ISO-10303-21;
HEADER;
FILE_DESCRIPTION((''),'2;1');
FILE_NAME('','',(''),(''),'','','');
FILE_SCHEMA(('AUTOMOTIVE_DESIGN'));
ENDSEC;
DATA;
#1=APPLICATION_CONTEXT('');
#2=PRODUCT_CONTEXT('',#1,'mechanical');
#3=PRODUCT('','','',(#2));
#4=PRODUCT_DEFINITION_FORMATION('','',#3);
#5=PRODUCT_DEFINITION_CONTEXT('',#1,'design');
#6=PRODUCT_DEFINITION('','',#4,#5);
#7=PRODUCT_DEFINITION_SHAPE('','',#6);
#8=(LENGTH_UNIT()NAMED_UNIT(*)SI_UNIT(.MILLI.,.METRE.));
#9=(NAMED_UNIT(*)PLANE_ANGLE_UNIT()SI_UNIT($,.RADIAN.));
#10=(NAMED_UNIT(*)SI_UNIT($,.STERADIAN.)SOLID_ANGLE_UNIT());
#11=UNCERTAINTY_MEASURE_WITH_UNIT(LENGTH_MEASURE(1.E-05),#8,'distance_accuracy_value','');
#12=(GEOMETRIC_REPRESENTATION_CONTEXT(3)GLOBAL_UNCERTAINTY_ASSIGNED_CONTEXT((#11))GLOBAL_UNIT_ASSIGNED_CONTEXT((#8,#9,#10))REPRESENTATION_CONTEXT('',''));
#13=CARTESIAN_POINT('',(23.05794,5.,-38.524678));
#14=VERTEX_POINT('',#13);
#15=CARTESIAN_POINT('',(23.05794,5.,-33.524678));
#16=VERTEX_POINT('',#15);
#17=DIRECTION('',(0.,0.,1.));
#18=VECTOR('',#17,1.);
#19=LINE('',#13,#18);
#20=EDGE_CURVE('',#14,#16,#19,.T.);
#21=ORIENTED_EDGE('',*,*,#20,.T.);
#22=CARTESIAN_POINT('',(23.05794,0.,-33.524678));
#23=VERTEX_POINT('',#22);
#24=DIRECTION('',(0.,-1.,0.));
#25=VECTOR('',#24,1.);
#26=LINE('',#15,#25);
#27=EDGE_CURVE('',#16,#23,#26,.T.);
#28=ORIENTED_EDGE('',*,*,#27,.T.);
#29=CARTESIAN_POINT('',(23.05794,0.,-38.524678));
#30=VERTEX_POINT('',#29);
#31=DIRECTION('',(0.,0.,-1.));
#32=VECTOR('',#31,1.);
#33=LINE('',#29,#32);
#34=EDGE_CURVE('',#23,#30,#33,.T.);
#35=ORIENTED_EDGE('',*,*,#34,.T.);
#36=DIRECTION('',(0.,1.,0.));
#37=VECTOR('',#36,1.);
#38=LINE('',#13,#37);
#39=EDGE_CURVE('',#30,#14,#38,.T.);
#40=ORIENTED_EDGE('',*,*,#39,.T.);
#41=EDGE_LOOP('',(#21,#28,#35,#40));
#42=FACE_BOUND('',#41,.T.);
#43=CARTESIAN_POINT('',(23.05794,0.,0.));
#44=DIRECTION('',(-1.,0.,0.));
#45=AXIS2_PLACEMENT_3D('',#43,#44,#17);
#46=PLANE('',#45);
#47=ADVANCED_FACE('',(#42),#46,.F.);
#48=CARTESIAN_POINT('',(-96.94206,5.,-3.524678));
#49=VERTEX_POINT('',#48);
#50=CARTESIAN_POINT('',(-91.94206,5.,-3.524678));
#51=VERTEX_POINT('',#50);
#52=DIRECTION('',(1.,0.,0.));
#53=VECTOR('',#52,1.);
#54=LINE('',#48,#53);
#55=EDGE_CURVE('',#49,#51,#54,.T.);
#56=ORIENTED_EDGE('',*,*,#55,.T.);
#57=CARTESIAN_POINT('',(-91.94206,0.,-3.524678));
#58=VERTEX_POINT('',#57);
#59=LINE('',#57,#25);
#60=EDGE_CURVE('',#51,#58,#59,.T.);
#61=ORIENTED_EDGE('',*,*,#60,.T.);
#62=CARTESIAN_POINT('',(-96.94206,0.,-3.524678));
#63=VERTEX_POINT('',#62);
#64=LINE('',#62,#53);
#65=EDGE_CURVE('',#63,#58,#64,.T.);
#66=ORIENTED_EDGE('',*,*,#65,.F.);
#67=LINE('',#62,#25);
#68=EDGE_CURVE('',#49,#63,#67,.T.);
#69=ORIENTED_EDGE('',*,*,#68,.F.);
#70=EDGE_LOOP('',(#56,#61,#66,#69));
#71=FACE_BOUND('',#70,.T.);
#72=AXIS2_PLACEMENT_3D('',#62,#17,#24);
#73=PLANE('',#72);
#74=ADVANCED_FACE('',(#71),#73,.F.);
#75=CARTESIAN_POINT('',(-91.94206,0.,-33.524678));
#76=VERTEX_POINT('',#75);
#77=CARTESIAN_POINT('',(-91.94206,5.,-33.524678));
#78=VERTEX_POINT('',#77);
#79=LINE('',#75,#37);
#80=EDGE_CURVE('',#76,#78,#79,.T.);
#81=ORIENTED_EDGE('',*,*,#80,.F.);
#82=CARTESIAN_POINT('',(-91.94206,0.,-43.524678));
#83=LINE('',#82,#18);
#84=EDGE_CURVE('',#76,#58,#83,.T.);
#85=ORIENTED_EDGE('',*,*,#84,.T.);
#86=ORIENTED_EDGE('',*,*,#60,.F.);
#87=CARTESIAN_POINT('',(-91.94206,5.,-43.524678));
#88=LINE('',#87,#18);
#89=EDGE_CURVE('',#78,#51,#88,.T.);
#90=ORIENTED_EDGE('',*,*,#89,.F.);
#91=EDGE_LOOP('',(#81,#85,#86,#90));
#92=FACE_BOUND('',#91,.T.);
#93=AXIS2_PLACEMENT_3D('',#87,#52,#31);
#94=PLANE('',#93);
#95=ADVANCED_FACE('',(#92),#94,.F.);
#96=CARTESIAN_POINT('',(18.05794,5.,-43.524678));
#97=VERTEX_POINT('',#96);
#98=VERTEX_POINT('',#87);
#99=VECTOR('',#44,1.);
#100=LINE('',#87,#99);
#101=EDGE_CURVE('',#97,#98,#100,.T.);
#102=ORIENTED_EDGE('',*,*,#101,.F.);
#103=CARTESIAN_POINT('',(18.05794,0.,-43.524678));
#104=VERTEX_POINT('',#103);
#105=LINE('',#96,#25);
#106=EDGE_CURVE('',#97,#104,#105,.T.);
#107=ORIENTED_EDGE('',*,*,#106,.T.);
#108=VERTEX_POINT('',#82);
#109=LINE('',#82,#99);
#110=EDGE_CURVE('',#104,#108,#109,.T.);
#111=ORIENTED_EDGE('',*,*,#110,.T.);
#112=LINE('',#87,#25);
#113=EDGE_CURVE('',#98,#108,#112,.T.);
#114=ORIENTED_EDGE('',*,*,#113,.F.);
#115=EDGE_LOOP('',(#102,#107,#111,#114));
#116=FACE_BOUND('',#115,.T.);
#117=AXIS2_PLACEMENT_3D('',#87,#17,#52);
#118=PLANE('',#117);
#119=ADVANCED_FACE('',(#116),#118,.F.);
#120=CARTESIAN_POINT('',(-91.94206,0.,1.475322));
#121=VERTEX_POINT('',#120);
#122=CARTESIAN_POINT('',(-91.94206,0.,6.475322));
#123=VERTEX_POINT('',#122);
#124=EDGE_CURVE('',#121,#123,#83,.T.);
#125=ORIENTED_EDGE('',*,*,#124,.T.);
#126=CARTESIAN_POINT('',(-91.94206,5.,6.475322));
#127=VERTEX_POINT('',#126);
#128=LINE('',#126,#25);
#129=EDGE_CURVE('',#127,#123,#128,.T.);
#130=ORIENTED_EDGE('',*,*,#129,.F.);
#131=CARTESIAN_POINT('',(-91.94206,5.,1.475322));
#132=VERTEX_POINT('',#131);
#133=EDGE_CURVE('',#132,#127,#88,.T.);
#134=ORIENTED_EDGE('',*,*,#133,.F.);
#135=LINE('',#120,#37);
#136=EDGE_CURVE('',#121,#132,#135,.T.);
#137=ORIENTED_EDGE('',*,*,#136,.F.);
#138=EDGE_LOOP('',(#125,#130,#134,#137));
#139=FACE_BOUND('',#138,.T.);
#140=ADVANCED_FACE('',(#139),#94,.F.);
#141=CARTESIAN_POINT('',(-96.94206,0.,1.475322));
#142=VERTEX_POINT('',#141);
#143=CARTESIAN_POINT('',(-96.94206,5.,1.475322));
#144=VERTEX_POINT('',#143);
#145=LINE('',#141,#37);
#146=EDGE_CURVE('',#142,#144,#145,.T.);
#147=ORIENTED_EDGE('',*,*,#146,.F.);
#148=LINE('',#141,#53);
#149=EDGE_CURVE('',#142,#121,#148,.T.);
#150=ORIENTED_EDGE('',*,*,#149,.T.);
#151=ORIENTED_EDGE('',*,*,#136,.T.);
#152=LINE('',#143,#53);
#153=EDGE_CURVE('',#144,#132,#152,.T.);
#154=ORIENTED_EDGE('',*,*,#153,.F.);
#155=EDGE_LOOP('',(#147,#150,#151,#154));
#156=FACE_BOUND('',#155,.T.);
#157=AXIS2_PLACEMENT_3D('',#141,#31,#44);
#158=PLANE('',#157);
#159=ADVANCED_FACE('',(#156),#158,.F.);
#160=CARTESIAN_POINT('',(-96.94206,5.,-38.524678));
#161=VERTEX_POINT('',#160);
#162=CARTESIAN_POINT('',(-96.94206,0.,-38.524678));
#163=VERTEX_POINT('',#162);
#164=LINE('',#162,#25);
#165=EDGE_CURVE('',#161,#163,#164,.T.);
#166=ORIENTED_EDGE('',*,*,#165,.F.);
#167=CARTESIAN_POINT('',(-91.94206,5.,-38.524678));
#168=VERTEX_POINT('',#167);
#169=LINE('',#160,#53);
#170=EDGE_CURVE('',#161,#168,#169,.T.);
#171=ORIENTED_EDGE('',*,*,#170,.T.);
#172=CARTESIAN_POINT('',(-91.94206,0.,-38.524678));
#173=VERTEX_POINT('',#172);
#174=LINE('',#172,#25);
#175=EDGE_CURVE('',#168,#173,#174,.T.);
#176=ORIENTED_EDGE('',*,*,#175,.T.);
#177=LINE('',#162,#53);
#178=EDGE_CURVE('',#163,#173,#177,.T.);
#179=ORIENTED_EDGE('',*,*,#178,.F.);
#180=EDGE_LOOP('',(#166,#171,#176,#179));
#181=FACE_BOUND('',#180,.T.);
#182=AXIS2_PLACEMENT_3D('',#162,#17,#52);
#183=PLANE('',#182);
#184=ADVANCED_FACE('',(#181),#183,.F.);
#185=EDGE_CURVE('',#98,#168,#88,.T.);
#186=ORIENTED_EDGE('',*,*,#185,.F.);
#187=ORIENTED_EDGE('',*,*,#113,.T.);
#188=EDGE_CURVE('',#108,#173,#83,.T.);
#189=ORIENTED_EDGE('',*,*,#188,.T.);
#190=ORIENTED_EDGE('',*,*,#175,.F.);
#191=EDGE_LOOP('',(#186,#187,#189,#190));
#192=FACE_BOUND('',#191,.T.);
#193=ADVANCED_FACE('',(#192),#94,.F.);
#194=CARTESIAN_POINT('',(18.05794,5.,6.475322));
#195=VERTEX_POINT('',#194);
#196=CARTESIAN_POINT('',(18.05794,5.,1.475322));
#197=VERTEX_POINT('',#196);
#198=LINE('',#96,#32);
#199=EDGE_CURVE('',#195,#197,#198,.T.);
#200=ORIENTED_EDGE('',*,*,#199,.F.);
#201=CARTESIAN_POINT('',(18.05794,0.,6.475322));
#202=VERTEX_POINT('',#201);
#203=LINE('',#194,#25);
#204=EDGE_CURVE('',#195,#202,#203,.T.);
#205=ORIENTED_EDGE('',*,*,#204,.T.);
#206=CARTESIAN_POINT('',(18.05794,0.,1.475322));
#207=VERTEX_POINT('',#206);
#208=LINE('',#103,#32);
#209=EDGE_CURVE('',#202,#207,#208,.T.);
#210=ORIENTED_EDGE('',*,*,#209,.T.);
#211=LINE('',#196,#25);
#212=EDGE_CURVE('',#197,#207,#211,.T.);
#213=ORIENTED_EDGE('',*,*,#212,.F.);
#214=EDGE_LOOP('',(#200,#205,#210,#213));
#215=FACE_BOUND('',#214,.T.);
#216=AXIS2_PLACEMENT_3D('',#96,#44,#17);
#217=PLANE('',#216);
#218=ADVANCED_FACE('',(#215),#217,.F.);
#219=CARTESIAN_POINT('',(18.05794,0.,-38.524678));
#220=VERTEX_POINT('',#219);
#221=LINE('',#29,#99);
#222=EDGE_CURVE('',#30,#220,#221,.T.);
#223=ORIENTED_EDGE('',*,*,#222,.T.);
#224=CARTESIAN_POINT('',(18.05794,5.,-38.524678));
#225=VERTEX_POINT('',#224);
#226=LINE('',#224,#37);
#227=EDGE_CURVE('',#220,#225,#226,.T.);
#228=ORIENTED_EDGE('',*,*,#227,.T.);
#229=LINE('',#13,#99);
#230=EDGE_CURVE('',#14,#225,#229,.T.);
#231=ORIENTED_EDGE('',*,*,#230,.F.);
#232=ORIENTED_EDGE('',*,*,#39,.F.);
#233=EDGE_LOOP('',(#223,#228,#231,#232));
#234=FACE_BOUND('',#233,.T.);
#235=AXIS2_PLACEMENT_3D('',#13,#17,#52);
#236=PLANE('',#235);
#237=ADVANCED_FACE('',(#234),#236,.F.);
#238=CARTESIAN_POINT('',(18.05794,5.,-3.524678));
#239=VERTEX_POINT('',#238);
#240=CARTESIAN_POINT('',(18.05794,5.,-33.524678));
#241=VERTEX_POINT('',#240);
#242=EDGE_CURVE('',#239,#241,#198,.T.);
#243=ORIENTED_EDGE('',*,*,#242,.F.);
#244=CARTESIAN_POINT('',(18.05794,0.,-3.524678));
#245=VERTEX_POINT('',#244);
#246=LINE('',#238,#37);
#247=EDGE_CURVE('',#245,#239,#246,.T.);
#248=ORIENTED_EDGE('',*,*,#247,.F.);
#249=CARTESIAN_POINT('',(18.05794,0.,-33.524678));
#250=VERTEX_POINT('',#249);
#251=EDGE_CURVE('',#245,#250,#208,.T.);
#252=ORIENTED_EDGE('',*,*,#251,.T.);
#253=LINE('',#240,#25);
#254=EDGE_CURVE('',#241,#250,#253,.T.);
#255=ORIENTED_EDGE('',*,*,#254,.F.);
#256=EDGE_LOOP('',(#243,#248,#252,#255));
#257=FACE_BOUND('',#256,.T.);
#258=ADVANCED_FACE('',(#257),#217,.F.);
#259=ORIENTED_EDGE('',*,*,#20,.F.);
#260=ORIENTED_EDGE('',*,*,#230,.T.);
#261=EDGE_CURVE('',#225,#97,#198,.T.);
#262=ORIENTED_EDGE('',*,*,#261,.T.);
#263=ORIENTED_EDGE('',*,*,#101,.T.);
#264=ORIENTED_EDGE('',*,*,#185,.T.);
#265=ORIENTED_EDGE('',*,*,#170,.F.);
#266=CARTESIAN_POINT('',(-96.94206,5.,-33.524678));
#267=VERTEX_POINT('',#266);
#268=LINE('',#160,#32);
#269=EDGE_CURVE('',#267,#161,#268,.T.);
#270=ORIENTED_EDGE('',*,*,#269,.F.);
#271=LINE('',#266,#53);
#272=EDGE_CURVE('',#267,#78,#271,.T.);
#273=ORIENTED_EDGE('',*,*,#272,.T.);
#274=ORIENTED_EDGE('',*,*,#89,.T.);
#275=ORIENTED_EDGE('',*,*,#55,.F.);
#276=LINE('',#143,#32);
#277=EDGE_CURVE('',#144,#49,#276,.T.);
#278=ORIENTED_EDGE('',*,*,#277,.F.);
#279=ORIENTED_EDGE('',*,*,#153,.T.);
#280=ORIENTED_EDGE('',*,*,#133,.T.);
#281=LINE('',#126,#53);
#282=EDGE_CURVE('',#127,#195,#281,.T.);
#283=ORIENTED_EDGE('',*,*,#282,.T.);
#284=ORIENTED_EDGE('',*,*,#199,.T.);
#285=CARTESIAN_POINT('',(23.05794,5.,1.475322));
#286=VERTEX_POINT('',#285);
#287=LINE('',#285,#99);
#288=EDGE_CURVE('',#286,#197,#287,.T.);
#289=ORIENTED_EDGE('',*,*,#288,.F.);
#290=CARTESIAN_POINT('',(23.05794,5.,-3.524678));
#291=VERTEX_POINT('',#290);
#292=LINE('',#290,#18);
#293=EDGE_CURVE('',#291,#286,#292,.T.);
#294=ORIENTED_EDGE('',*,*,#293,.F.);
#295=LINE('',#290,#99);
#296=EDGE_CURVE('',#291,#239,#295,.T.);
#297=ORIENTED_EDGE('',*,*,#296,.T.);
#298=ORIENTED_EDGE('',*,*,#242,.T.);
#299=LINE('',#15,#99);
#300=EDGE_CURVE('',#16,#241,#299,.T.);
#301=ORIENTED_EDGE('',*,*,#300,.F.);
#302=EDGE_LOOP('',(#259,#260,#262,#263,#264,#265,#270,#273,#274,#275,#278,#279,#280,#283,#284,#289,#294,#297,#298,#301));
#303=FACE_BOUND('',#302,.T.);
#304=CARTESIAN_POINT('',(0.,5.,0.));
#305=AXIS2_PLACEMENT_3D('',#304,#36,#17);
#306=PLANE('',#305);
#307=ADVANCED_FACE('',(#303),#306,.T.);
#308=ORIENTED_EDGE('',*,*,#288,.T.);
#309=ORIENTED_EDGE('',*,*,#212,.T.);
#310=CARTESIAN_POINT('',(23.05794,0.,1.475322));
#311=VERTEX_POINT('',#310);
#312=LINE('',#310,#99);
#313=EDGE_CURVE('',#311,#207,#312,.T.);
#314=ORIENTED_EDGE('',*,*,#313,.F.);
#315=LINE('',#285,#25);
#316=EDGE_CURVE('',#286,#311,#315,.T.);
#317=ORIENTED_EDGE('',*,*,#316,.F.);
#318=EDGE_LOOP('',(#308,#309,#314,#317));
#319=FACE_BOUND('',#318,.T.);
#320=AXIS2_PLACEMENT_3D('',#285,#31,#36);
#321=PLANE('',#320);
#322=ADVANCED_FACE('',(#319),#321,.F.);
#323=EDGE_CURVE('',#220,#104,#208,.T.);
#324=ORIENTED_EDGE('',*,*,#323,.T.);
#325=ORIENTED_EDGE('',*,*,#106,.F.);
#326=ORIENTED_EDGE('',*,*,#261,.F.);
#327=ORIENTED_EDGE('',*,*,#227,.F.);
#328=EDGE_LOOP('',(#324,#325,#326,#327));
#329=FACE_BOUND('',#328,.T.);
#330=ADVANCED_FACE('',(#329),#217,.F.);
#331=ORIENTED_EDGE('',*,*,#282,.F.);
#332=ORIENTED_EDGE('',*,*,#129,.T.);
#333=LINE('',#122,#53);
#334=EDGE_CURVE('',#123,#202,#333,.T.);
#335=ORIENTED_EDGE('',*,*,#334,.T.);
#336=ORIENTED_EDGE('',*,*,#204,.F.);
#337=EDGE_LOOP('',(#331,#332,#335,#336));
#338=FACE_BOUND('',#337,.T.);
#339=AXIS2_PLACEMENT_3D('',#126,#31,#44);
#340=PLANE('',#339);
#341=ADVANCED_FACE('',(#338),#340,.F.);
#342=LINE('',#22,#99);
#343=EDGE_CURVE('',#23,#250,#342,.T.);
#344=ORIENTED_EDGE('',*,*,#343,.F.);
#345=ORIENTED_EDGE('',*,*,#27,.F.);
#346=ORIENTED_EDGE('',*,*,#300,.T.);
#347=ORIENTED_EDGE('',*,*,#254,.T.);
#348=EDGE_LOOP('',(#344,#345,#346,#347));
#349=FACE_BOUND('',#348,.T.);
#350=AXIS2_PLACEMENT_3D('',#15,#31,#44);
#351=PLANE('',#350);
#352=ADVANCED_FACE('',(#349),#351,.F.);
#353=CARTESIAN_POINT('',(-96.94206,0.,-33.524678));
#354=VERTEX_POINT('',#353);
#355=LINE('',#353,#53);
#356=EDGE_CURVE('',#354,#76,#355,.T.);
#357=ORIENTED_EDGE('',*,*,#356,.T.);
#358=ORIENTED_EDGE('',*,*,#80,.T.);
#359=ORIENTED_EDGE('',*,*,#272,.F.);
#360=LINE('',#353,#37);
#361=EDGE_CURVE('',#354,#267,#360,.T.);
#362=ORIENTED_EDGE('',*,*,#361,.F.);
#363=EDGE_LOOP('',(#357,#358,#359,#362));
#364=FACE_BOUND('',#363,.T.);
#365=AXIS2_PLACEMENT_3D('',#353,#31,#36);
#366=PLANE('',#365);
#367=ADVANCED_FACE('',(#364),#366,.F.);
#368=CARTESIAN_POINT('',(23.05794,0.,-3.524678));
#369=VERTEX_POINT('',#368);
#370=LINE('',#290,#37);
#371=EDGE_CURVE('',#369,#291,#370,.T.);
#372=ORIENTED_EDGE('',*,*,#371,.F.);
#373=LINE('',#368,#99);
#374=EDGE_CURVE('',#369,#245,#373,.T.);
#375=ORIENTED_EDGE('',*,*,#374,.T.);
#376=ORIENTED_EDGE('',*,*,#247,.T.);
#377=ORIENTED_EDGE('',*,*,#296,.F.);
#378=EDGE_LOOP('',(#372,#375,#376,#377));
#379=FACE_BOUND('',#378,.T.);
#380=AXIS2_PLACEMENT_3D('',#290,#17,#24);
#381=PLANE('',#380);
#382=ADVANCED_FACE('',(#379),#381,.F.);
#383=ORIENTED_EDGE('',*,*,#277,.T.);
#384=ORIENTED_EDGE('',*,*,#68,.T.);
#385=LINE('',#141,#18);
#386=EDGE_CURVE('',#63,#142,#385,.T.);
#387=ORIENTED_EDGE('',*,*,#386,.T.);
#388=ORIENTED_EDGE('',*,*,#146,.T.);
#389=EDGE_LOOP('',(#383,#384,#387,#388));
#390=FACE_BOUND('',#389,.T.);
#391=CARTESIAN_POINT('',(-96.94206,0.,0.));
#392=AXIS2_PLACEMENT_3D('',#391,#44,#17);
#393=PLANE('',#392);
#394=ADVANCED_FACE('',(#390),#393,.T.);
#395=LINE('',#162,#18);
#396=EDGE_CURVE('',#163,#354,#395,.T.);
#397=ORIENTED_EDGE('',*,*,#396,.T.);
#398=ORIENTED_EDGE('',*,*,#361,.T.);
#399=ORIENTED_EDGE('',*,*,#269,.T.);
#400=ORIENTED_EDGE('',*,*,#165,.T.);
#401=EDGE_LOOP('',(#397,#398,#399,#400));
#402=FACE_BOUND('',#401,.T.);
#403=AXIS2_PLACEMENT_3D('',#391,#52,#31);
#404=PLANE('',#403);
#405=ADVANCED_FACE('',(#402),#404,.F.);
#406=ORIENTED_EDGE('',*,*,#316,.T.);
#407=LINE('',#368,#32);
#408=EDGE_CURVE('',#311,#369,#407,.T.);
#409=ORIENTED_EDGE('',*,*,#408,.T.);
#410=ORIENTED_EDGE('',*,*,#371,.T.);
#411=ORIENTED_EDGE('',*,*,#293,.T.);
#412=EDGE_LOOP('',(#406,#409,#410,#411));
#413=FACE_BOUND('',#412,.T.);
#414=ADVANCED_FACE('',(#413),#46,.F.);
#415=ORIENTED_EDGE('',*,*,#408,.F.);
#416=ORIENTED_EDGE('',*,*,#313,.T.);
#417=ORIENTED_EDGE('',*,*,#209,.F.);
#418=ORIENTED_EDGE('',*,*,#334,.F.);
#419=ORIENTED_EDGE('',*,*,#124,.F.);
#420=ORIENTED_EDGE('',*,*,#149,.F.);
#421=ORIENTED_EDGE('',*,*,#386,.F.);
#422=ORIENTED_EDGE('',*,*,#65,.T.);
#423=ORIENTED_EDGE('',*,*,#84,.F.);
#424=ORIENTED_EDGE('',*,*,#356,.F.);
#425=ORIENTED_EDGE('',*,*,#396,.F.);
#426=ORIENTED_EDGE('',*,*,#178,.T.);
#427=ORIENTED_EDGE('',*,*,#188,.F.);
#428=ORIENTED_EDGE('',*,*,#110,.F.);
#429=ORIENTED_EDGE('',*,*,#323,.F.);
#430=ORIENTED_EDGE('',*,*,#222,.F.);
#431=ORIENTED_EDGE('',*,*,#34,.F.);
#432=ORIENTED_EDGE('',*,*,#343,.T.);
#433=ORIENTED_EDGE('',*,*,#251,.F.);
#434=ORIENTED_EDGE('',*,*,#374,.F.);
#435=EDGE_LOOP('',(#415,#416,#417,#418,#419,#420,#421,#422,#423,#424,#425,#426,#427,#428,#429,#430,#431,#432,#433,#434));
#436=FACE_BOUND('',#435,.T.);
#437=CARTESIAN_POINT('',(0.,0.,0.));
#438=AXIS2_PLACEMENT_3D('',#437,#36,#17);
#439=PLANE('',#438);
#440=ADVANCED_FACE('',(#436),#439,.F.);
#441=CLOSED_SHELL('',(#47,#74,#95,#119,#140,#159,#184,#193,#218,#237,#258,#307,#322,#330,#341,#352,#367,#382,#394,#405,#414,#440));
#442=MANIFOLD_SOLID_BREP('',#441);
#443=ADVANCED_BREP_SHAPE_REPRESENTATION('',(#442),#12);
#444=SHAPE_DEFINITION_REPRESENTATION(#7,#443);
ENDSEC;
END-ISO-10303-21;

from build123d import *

# Parameters (mm, degrees)
SKETCH2_W           = 110
SKETCH2_H           = 50
BOSS_EXTRUDE1_DEPTH = 5
SKETCH3_W           = 5
SKETCH3_H           = 5
BOSS_EXTRUDE2_DEPTH = 5
SKETCH4_W           = 5
SKETCH4_H           = 5
BOSS_EXTRUDE3_DEPTH = 5


with BuildPart() as part:
    # Sketch2 → Boss-Extrude1 (new body)
    with BuildSketch(Plane(origin=(0, 0, 0), x_dir=(1, 0, 0), z_dir=(0, 1, 0))):
        with Locations((-36.942060086, 18.524678112)):
            Rectangle(SKETCH2_W, SKETCH2_H)
    extrude(amount=BOSS_EXTRUDE1_DEPTH)

    # Sketch3 → Boss-Extrude2 (add)
    with BuildSketch(Plane.ZY.offset(91.942060086)):
        with Locations((-36.024678112, 2.5)):
            Rectangle(SKETCH3_W, SKETCH3_H)
        with Locations((-1.024678112, 2.5)):
            Rectangle(SKETCH3_W, SKETCH3_H)
    extrude(amount=BOSS_EXTRUDE2_DEPTH)

    # Sketch4 → Boss-Extrude3 (add)
    with BuildSketch(Plane(origin=(18.057939914, 0, 0), x_dir=(0, 0, -1), z_dir=(1, 0, 0))):
        with Locations((36.024678112, 2.5)):
            Rectangle(SKETCH4_W, SKETCH4_H)
        with Locations((1.024678112, 2.5)):
            Rectangle(SKETCH4_W, SKETCH4_H)
    extrude(amount=BOSS_EXTRUDE3_DEPTH)


solid = part.part
